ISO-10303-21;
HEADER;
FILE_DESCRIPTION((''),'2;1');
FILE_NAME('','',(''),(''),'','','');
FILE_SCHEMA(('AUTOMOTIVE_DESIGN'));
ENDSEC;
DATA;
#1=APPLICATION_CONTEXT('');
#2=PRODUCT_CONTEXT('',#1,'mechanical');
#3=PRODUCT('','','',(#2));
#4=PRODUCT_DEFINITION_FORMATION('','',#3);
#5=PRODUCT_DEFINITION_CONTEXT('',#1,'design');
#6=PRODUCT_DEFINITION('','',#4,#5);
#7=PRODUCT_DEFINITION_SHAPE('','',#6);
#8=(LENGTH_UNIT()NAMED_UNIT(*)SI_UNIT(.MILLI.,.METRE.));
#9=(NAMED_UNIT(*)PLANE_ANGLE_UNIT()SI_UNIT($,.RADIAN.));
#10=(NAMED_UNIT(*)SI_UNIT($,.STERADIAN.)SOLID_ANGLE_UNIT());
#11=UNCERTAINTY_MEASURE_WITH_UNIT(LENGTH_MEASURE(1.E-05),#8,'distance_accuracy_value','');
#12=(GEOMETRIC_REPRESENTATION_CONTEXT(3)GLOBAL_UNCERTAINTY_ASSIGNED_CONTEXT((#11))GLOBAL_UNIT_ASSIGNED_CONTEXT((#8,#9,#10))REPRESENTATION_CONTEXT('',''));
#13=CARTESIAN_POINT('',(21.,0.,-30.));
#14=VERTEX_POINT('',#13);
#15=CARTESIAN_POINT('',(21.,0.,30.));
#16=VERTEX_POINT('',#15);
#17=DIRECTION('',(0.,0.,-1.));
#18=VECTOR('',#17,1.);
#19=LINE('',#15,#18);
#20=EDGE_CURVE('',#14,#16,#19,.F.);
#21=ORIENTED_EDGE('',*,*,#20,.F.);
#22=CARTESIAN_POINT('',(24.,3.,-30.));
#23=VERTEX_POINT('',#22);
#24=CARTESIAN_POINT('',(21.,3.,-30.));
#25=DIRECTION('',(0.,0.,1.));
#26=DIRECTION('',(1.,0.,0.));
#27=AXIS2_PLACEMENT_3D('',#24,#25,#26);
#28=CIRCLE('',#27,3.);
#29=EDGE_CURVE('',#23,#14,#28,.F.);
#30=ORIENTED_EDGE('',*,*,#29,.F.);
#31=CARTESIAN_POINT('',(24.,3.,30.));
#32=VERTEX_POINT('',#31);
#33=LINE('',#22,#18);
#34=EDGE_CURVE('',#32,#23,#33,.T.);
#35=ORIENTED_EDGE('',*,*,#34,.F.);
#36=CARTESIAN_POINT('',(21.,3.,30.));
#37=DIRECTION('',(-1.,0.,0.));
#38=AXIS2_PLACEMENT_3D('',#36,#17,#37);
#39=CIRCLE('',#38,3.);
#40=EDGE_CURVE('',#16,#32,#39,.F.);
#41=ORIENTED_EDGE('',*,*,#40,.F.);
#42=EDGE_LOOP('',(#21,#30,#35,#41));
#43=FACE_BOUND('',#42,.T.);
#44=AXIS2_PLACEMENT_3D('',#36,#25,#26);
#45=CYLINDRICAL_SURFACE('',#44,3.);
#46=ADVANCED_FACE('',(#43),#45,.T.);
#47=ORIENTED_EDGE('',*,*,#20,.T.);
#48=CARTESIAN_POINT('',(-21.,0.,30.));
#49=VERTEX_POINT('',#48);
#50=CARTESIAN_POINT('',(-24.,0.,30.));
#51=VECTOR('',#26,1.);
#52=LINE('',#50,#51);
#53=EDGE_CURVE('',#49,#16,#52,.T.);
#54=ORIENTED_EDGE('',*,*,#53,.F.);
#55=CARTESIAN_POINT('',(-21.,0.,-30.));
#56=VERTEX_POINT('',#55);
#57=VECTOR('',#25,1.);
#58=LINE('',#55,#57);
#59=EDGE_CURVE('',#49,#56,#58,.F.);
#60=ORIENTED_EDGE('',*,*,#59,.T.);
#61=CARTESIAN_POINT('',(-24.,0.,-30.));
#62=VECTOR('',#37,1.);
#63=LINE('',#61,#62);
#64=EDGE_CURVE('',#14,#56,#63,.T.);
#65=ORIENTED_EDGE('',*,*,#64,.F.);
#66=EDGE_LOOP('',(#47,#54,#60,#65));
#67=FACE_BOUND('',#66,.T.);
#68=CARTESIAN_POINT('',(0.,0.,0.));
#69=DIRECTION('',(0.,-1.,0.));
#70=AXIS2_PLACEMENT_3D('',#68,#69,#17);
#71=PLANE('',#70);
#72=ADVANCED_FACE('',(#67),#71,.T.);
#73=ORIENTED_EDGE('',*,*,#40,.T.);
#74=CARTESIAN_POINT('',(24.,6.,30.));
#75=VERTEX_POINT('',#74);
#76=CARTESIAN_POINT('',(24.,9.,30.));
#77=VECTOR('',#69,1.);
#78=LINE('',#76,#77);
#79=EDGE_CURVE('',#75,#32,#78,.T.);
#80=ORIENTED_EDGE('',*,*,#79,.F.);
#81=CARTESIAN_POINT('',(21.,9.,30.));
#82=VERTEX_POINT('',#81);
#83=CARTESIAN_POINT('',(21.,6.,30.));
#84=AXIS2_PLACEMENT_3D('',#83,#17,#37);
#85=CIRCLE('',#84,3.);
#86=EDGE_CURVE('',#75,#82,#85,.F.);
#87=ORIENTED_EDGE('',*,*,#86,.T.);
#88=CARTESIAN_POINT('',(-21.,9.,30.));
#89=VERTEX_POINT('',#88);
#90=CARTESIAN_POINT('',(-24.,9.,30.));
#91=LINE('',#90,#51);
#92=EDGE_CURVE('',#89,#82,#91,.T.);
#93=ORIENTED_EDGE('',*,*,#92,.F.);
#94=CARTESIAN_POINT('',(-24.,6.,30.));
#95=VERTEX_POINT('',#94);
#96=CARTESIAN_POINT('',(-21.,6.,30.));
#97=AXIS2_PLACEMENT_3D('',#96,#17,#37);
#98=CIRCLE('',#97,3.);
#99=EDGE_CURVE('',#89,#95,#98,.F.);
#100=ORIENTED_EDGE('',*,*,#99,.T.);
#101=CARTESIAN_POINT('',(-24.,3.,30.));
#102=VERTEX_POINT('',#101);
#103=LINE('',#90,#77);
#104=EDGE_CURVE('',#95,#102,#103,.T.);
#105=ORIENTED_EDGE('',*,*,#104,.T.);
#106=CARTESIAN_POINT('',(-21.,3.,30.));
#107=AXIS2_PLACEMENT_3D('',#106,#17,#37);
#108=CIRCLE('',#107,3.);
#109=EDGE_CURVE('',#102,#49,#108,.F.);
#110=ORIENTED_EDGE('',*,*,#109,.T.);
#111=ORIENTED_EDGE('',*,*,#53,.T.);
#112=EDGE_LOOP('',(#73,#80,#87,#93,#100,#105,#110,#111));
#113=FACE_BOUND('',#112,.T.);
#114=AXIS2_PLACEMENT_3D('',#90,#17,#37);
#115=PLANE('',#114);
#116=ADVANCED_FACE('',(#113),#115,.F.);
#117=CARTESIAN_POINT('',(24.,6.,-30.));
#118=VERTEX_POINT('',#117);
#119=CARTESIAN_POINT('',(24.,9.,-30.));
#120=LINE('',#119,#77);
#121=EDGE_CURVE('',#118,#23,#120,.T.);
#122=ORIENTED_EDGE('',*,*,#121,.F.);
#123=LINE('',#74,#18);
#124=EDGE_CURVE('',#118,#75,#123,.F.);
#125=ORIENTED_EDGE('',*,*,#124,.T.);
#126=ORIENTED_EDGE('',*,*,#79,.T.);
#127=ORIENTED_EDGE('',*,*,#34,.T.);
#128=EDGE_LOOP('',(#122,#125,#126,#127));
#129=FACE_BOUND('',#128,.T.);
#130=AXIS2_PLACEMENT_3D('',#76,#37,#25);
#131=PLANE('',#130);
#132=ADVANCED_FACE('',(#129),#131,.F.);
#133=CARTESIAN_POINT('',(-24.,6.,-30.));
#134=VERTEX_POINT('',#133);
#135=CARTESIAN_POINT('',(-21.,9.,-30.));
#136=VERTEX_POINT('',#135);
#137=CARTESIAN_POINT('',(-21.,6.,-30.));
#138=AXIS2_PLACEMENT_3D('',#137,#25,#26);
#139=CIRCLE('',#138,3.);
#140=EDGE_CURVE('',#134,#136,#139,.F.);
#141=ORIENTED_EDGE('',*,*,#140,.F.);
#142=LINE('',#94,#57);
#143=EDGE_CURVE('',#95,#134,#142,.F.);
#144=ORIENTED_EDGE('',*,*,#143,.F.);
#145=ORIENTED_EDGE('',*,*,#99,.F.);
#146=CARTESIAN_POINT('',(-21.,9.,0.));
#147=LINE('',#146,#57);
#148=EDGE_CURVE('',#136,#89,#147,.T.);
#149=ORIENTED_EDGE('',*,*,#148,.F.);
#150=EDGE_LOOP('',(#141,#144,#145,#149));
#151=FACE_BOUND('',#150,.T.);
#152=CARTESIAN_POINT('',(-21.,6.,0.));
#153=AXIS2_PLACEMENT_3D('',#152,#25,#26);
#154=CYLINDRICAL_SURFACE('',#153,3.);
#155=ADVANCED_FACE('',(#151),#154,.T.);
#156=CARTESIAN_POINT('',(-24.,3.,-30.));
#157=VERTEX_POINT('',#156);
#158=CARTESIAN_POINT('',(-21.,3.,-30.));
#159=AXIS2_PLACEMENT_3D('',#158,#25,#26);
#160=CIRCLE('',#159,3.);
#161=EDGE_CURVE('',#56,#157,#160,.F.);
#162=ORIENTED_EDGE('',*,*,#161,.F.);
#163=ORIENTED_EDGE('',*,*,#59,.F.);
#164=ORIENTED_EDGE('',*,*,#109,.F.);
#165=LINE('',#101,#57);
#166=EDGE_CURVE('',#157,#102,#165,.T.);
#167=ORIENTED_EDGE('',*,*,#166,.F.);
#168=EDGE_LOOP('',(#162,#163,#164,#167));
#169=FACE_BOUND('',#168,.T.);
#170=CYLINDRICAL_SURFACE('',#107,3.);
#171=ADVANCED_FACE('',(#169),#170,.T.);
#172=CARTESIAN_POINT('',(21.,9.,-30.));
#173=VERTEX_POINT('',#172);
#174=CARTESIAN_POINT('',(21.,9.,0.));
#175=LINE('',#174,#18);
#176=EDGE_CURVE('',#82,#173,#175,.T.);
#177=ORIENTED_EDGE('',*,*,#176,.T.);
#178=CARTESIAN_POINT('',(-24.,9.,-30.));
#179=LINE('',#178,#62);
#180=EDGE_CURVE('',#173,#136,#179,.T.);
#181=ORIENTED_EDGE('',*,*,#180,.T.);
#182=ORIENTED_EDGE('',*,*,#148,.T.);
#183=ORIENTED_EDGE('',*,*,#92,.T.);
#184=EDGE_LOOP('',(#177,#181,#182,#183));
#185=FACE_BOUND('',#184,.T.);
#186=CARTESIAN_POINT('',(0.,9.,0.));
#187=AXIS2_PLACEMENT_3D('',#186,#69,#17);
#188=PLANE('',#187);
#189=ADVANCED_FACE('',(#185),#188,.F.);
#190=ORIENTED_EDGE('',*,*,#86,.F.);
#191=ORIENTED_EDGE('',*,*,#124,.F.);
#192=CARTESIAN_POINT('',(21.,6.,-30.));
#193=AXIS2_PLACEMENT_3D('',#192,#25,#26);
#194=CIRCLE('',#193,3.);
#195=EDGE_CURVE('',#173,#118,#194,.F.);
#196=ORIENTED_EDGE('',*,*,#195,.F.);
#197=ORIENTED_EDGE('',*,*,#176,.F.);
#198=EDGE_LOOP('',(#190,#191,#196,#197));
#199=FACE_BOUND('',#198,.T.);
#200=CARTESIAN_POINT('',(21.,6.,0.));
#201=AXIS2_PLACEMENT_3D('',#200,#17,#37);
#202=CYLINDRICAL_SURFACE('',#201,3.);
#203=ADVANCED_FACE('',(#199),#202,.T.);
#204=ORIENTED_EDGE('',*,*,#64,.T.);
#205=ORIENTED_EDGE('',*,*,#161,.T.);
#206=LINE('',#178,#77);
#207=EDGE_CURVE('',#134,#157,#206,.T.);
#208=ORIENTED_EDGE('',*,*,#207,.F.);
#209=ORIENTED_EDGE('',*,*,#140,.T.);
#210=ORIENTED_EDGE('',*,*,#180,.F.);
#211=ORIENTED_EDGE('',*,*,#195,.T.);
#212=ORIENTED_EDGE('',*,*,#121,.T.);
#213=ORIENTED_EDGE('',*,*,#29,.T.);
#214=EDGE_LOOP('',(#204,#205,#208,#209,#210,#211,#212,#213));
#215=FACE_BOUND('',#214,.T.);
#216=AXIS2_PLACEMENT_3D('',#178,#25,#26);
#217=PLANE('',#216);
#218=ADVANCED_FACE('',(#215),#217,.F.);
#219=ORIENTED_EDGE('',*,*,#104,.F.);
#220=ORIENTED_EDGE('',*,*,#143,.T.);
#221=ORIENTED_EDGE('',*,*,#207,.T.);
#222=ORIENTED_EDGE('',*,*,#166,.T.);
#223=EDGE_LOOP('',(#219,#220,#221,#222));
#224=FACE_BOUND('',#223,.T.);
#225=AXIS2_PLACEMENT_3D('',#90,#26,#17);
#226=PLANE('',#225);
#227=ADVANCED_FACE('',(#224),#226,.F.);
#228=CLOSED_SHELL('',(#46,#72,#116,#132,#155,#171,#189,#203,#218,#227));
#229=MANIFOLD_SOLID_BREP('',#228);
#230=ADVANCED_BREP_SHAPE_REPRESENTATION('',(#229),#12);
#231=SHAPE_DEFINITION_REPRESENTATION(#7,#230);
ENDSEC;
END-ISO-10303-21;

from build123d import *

# Parameters (mm, degrees)
SKETCH1_W           = 48
SKETCH1_H           = 60
BOSS_EXTRUDE1_DEPTH = 9
FILLET1_R           = 3


with BuildPart() as part:
    # Sketch1 → Boss-Extrude1 (new body)
    with BuildSketch(Plane(origin=(0, 0, 0), x_dir=(1, 0, 0), z_dir=(0, 1, 0))):
        Rectangle(SKETCH1_W, SKETCH1_H)
    extrude(amount=BOSS_EXTRUDE1_DEPTH)

    # Fillet1
    fillet1_edges = [part.edges().sort_by_distance(p)[0] for p in [
        (-24, 9, 0),
        (24, 9, 0),
        (-24, 0, 0),
        (24, 0, 0),
    ]]
    fillet(fillet1_edges, radius=FILLET1_R)


solid = part.part
